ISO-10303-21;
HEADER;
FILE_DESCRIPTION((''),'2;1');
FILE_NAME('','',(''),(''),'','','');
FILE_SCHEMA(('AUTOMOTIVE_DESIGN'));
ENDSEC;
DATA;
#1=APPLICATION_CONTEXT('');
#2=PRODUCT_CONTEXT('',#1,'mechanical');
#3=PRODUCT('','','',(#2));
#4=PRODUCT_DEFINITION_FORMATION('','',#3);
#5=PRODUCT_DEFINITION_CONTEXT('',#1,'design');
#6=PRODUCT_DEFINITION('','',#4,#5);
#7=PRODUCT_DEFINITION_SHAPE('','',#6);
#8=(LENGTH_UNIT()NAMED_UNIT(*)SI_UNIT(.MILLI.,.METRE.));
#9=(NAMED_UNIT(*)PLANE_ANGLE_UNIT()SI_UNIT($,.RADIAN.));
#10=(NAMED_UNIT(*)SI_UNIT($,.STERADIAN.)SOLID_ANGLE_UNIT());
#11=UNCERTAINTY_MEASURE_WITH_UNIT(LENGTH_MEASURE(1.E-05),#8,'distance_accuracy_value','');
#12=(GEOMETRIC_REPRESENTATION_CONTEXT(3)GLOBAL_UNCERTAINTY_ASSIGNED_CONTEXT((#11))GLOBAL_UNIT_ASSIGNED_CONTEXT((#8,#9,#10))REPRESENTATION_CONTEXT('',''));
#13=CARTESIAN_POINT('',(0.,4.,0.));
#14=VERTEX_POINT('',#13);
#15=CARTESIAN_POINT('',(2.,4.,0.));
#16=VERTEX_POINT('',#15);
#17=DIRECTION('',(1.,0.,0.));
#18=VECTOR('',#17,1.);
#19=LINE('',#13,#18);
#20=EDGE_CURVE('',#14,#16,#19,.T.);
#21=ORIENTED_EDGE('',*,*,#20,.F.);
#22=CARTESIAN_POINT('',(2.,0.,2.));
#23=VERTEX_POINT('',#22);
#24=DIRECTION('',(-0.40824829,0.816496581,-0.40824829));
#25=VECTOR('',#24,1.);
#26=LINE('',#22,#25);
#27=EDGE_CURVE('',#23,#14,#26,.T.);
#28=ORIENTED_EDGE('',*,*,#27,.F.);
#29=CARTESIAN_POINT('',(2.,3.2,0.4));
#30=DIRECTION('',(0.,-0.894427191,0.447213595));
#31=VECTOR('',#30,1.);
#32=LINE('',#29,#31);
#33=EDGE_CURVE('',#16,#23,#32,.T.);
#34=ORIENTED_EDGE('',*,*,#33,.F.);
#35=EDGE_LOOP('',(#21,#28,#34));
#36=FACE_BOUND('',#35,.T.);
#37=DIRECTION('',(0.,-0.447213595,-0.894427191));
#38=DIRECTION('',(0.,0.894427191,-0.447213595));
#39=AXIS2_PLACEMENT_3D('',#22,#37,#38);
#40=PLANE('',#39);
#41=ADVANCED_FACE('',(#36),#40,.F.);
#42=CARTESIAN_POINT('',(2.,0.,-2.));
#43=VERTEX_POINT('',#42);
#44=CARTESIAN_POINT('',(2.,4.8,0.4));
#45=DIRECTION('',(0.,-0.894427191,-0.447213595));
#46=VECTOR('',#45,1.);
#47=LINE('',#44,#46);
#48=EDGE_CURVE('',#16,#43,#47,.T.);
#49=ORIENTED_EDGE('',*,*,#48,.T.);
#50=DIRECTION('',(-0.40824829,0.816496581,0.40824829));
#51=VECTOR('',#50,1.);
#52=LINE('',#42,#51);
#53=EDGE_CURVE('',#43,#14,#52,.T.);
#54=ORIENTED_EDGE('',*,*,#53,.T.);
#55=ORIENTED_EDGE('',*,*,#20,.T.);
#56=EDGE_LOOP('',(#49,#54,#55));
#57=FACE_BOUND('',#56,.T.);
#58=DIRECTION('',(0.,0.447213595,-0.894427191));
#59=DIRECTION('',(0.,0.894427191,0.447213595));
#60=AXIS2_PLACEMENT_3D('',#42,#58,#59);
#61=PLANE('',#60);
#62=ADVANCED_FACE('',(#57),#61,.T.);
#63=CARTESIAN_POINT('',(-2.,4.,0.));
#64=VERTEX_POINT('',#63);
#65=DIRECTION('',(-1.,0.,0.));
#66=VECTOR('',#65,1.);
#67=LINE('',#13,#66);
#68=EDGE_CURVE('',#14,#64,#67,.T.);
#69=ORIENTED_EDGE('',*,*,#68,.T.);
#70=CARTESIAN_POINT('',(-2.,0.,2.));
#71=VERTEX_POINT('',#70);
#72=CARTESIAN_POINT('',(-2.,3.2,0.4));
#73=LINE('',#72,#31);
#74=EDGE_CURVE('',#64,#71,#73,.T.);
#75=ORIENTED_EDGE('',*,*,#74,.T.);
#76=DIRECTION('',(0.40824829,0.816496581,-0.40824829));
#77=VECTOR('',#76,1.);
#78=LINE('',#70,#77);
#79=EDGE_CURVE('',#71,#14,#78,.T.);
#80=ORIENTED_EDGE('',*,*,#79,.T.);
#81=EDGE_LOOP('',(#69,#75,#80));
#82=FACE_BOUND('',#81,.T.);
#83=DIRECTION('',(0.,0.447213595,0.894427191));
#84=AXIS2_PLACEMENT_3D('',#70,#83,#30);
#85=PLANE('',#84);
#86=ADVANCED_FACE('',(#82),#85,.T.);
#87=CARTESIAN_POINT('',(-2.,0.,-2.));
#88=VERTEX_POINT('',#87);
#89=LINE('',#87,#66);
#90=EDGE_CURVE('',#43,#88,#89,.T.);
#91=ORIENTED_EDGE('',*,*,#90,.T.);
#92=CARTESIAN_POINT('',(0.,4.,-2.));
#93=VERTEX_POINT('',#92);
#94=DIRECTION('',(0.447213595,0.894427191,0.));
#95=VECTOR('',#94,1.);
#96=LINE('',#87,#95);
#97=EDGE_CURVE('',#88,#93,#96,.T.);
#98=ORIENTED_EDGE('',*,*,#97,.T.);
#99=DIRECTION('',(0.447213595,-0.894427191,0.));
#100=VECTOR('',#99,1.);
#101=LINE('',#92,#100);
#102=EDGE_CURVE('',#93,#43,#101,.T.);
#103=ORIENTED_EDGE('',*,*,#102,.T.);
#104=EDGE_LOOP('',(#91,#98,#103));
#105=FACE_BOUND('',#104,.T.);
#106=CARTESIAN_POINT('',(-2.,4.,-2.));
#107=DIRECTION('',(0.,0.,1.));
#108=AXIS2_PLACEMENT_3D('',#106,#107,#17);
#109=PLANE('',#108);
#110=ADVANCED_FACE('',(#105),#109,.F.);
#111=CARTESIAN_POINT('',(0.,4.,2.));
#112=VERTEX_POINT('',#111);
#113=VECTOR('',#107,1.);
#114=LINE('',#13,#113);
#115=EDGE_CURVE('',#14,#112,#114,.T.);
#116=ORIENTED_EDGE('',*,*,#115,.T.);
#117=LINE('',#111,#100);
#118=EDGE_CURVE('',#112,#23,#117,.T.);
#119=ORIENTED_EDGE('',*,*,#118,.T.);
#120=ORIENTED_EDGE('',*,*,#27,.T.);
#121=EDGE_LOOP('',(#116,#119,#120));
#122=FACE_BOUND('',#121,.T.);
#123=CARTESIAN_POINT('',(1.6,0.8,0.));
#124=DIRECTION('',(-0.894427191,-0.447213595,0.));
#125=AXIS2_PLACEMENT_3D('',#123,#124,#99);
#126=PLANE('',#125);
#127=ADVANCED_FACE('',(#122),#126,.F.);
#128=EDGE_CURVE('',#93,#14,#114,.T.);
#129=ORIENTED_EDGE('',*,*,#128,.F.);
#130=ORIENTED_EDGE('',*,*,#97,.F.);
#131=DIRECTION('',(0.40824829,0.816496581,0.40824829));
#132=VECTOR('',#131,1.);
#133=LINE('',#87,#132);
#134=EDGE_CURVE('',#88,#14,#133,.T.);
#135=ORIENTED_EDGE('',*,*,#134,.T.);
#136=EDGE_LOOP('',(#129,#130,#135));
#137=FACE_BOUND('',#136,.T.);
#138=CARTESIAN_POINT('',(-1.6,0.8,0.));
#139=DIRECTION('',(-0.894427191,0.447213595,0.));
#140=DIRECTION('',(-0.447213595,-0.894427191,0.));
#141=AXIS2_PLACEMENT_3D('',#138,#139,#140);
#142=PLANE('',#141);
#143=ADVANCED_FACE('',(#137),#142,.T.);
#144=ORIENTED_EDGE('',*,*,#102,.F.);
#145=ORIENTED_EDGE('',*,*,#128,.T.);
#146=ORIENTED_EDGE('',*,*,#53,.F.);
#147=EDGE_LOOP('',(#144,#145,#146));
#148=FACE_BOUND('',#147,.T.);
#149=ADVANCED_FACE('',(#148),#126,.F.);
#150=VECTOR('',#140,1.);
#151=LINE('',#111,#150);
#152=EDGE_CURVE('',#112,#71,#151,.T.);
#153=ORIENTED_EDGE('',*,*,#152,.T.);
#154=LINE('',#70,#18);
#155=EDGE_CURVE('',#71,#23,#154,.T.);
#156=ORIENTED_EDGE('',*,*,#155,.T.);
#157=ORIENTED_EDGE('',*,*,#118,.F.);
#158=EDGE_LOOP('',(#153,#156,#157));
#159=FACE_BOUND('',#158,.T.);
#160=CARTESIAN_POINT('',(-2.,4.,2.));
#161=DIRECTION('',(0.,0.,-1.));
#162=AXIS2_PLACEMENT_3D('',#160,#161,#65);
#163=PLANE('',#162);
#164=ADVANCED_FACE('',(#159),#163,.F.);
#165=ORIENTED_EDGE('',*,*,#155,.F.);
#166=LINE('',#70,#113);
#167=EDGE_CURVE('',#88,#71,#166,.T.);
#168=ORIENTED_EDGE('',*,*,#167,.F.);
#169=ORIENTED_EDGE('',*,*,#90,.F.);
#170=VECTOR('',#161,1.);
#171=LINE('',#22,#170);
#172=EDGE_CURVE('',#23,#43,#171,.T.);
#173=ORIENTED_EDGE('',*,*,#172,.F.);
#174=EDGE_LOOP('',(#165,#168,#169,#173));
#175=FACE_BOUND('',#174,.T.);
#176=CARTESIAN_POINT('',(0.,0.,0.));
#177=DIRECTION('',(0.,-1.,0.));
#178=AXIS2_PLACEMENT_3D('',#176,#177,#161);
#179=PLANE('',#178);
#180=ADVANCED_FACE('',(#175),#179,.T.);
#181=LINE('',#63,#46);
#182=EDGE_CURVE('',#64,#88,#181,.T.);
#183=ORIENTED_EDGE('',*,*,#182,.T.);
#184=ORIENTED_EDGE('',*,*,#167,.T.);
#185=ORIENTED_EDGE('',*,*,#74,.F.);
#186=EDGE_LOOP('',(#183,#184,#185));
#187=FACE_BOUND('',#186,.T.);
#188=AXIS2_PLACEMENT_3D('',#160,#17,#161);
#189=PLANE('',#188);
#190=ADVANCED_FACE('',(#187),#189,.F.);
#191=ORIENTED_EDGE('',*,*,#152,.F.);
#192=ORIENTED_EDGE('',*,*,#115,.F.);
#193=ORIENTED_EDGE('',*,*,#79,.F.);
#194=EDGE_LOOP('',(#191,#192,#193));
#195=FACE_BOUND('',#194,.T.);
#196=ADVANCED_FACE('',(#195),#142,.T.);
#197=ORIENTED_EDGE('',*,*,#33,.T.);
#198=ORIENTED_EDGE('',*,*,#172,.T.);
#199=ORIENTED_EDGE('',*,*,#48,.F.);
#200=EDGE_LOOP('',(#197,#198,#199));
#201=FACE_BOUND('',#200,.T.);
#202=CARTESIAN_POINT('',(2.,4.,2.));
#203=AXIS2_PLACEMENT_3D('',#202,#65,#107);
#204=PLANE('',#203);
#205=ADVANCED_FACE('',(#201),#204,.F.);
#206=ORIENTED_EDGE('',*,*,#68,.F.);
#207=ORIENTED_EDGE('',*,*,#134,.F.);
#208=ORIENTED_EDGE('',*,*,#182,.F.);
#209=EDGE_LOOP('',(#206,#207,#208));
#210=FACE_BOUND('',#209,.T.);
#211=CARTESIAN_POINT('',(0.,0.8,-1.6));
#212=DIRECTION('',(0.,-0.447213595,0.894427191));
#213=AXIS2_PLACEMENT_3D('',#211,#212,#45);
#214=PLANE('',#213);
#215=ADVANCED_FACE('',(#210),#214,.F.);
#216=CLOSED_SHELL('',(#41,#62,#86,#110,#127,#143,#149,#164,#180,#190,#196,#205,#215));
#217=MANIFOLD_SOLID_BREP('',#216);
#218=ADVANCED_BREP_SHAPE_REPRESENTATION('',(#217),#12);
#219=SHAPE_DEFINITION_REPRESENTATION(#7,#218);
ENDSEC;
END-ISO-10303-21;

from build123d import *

# Parameters (mm, degrees)
SKETCH1_W           = 4
SKETCH1_H           = 4
BOSS_EXTRUDE1_DEPTH = 4
CUT_EXTRUDE5_DEPTH  = 32
CUT_EXTRUDE6_DEPTH  = 32
CUT_EXTRUDE7_DEPTH  = 32
CUT_EXTRUDE8_DEPTH  = 32


with BuildPart() as part:
    # Sketch1 → Boss-Extrude1 (new body)
    with BuildSketch(Plane(origin=(0, 0, 0), x_dir=(1, 0, 0), z_dir=(0, 1, 0))):
        Rectangle(SKETCH1_W, SKETCH1_H)
    extrude(amount=BOSS_EXTRUDE1_DEPTH)

    # 3DSketch3 → Cut-Extrude5 (cut, along a direction that is not the sketch's normal)
    with BuildSketch(Plane(origin=(0, 4, 0), x_dir=(-0.4082482904638629, -0.8164965809277258, 0.40824829046386363), z_dir=(-0.894427190999916, 0.447213595499958, 0))):
        Polygon((0, 0), (0.816496581, 1.825741858), (4.898979486, 0), align=None)
    extrude(amount=CUT_EXTRUDE5_DEPTH, dir=(-1, 0, 0), mode=Mode.SUBTRACT)

    # 3DSketch4 → Cut-Extrude6 (cut, along a direction that is not the sketch's normal)
    with BuildSketch(Plane(origin=(0, 4, 0), x_dir=(-0.4082482904638631, -0.8164965809277261, -0.4082482904638631), z_dir=(0, 0.447213595499958, -0.894427190999916))):
        Polygon((0, 0), (0.816496581, 1.825741858), (4.898979486, 0), align=None)
    extrude(amount=CUT_EXTRUDE6_DEPTH, dir=(0, 1, 0), mode=Mode.SUBTRACT)

    # 3DSketch5 → Cut-Extrude7 (cut, along a direction that is not the sketch's normal)
    with BuildSketch(Plane(origin=(0, 4, 0), x_dir=(-0.4082482904638631, -0.816496580927726, -0.4082482904638631), z_dir=(0.894427190999916, -0.447213595499958, 0))):
        Polygon((0, 0), (4.898979486, 0), (0.816496581, 1.825741858), align=None)
    extrude(amount=-CUT_EXTRUDE7_DEPTH, dir=(1, 0, 0), mode=Mode.SUBTRACT)

    # 3DSketch6 → Cut-Extrude8 (cut, along a direction that is not the sketch's normal)
    with BuildSketch(Plane(origin=(2, 0, 2), x_dir=(-0.3333333333333332, 0.6666666666666664, -0.666666666666667), z_dir=(0.894427190999916, 0.447213595499958, 0))):
        Polygon((3.333333333, 2.98142397), (0, 0), (4.666666667, 1.490711985), align=None)
        Polygon((6, 0), (4.666666667, 1.490711985), (2.666666667, -2.98142397), align=None)
    extrude(amount=CUT_EXTRUDE8_DEPTH, dir=(1, 0, 0), mode=Mode.SUBTRACT)


solid = part.part
